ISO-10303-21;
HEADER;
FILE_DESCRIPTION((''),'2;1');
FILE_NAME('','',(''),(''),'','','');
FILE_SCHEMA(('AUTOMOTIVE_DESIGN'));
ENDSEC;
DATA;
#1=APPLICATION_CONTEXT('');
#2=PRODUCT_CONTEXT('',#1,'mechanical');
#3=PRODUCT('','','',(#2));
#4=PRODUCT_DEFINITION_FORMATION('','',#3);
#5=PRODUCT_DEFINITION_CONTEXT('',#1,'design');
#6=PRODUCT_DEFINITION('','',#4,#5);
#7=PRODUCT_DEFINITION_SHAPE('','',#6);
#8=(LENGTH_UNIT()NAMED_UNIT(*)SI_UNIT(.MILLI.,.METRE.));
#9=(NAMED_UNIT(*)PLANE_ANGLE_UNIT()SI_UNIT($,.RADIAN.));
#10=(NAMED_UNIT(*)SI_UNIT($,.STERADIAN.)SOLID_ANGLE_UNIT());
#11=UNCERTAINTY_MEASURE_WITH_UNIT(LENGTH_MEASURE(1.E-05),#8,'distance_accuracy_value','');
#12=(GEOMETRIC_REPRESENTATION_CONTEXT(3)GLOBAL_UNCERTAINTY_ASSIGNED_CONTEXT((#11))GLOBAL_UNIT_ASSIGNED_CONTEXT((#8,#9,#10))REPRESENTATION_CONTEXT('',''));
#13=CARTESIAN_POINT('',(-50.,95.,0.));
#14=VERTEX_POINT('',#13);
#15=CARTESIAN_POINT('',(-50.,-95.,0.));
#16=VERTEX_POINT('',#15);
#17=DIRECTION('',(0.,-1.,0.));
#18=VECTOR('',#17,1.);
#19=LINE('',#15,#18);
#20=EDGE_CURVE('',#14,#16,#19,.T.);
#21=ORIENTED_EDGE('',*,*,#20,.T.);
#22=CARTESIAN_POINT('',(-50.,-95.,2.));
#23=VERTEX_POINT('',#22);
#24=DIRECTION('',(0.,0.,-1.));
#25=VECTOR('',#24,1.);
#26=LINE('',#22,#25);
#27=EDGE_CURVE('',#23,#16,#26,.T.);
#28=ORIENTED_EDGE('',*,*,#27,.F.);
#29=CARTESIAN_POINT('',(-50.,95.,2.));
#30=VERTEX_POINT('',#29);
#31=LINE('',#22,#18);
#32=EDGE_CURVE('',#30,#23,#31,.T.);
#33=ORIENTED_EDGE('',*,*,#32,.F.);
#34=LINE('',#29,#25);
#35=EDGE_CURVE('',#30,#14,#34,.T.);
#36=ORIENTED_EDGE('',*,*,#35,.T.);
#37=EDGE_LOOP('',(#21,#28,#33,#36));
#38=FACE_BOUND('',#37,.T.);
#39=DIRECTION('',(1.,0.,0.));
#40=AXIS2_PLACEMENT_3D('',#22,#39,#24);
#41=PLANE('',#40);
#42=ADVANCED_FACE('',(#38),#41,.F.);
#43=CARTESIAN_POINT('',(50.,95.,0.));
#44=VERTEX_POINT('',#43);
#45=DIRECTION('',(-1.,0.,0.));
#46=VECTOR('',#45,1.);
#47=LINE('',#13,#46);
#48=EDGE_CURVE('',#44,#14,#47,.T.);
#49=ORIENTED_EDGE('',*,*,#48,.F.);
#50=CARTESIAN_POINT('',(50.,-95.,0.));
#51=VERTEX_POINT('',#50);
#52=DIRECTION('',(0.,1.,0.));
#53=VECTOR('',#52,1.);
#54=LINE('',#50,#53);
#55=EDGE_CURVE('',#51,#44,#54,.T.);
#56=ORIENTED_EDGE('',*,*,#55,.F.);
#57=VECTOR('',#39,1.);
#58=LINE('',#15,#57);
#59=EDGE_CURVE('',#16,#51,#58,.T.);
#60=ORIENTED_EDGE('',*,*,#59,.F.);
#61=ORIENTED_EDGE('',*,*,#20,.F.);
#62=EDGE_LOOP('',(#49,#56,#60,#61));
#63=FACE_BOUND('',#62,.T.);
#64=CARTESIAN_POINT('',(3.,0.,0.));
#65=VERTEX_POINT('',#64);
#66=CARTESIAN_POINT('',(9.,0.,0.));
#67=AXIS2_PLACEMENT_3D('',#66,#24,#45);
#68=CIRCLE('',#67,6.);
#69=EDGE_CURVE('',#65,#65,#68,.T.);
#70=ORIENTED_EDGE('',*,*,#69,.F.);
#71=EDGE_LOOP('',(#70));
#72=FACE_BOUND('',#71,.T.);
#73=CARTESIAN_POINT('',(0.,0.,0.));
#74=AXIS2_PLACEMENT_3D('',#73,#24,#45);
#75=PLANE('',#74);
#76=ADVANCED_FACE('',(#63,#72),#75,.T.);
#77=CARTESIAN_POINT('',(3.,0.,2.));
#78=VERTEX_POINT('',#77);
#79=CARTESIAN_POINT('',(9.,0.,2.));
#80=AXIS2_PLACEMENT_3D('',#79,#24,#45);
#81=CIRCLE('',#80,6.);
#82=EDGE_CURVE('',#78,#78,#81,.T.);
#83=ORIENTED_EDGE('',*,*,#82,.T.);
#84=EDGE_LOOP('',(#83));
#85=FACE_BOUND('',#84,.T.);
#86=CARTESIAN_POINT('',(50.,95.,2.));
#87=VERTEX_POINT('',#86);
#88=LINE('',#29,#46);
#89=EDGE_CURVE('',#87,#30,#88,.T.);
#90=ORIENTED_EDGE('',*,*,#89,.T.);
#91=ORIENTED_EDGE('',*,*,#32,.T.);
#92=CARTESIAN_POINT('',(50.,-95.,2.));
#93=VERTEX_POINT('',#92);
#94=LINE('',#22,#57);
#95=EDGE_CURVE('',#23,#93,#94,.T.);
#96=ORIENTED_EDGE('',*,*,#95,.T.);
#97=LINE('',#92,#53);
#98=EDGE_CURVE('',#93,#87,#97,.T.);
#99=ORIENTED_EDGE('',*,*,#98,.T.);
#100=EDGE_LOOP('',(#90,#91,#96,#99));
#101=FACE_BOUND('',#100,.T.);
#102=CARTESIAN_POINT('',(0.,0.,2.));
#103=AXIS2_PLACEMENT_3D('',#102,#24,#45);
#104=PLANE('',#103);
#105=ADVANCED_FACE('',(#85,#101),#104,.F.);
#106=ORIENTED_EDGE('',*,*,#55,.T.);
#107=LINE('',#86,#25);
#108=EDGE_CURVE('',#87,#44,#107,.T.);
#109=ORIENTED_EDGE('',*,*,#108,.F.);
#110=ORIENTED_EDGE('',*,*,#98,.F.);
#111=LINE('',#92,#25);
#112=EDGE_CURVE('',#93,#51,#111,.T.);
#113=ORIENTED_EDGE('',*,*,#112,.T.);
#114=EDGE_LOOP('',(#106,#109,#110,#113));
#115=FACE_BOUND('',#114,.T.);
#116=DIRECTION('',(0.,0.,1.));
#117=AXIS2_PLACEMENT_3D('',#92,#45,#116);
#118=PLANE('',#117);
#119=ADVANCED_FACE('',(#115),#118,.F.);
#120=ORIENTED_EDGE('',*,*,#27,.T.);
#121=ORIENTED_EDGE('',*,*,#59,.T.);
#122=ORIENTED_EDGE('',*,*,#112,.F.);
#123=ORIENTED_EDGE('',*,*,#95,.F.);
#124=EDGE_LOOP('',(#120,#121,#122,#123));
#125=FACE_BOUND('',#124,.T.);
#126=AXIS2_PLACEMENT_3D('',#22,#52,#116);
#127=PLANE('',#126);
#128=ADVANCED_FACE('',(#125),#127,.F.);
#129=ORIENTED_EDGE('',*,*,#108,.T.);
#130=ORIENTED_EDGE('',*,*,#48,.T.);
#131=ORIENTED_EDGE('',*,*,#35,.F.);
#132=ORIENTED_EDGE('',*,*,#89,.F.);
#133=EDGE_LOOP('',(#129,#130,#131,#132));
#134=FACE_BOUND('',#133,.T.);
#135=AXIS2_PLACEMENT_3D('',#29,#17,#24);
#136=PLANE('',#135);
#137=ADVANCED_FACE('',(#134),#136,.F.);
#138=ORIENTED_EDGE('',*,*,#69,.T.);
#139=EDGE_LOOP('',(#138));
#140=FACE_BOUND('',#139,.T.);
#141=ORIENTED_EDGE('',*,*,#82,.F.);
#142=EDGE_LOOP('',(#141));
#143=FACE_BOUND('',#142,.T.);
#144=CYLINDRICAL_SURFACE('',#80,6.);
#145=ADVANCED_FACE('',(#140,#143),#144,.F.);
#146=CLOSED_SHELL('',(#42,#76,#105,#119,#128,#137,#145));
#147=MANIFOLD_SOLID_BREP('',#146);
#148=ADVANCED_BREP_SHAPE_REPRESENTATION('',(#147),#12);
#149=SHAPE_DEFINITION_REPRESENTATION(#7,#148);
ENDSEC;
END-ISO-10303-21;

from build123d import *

# Parameters (mm, degrees)
SKETCH1_W           = 100
SKETCH1_H           = 190
BOSS_EXTRUDE1_DEPTH = 2
SKETCH2_R           = 6
CUT_EXTRUDE1_DEPTH  = 2


with BuildPart() as part:
    # Sketch1 → Boss-Extrude1 (new body)
    with BuildSketch(Plane.XY):
        Rectangle(SKETCH1_W, SKETCH1_H)
    extrude(amount=BOSS_EXTRUDE1_DEPTH)

    # Sketch2 → Cut-Extrude1 (cut)
    with BuildSketch(Plane(origin=(0, 0, 0), x_dir=(-1, 0, 0), z_dir=(0, 0, -1))):
        with Locations((-9, 0)):
            Circle(SKETCH2_R)
    extrude(amount=-CUT_EXTRUDE1_DEPTH, mode=Mode.SUBTRACT)


solid = part.part
